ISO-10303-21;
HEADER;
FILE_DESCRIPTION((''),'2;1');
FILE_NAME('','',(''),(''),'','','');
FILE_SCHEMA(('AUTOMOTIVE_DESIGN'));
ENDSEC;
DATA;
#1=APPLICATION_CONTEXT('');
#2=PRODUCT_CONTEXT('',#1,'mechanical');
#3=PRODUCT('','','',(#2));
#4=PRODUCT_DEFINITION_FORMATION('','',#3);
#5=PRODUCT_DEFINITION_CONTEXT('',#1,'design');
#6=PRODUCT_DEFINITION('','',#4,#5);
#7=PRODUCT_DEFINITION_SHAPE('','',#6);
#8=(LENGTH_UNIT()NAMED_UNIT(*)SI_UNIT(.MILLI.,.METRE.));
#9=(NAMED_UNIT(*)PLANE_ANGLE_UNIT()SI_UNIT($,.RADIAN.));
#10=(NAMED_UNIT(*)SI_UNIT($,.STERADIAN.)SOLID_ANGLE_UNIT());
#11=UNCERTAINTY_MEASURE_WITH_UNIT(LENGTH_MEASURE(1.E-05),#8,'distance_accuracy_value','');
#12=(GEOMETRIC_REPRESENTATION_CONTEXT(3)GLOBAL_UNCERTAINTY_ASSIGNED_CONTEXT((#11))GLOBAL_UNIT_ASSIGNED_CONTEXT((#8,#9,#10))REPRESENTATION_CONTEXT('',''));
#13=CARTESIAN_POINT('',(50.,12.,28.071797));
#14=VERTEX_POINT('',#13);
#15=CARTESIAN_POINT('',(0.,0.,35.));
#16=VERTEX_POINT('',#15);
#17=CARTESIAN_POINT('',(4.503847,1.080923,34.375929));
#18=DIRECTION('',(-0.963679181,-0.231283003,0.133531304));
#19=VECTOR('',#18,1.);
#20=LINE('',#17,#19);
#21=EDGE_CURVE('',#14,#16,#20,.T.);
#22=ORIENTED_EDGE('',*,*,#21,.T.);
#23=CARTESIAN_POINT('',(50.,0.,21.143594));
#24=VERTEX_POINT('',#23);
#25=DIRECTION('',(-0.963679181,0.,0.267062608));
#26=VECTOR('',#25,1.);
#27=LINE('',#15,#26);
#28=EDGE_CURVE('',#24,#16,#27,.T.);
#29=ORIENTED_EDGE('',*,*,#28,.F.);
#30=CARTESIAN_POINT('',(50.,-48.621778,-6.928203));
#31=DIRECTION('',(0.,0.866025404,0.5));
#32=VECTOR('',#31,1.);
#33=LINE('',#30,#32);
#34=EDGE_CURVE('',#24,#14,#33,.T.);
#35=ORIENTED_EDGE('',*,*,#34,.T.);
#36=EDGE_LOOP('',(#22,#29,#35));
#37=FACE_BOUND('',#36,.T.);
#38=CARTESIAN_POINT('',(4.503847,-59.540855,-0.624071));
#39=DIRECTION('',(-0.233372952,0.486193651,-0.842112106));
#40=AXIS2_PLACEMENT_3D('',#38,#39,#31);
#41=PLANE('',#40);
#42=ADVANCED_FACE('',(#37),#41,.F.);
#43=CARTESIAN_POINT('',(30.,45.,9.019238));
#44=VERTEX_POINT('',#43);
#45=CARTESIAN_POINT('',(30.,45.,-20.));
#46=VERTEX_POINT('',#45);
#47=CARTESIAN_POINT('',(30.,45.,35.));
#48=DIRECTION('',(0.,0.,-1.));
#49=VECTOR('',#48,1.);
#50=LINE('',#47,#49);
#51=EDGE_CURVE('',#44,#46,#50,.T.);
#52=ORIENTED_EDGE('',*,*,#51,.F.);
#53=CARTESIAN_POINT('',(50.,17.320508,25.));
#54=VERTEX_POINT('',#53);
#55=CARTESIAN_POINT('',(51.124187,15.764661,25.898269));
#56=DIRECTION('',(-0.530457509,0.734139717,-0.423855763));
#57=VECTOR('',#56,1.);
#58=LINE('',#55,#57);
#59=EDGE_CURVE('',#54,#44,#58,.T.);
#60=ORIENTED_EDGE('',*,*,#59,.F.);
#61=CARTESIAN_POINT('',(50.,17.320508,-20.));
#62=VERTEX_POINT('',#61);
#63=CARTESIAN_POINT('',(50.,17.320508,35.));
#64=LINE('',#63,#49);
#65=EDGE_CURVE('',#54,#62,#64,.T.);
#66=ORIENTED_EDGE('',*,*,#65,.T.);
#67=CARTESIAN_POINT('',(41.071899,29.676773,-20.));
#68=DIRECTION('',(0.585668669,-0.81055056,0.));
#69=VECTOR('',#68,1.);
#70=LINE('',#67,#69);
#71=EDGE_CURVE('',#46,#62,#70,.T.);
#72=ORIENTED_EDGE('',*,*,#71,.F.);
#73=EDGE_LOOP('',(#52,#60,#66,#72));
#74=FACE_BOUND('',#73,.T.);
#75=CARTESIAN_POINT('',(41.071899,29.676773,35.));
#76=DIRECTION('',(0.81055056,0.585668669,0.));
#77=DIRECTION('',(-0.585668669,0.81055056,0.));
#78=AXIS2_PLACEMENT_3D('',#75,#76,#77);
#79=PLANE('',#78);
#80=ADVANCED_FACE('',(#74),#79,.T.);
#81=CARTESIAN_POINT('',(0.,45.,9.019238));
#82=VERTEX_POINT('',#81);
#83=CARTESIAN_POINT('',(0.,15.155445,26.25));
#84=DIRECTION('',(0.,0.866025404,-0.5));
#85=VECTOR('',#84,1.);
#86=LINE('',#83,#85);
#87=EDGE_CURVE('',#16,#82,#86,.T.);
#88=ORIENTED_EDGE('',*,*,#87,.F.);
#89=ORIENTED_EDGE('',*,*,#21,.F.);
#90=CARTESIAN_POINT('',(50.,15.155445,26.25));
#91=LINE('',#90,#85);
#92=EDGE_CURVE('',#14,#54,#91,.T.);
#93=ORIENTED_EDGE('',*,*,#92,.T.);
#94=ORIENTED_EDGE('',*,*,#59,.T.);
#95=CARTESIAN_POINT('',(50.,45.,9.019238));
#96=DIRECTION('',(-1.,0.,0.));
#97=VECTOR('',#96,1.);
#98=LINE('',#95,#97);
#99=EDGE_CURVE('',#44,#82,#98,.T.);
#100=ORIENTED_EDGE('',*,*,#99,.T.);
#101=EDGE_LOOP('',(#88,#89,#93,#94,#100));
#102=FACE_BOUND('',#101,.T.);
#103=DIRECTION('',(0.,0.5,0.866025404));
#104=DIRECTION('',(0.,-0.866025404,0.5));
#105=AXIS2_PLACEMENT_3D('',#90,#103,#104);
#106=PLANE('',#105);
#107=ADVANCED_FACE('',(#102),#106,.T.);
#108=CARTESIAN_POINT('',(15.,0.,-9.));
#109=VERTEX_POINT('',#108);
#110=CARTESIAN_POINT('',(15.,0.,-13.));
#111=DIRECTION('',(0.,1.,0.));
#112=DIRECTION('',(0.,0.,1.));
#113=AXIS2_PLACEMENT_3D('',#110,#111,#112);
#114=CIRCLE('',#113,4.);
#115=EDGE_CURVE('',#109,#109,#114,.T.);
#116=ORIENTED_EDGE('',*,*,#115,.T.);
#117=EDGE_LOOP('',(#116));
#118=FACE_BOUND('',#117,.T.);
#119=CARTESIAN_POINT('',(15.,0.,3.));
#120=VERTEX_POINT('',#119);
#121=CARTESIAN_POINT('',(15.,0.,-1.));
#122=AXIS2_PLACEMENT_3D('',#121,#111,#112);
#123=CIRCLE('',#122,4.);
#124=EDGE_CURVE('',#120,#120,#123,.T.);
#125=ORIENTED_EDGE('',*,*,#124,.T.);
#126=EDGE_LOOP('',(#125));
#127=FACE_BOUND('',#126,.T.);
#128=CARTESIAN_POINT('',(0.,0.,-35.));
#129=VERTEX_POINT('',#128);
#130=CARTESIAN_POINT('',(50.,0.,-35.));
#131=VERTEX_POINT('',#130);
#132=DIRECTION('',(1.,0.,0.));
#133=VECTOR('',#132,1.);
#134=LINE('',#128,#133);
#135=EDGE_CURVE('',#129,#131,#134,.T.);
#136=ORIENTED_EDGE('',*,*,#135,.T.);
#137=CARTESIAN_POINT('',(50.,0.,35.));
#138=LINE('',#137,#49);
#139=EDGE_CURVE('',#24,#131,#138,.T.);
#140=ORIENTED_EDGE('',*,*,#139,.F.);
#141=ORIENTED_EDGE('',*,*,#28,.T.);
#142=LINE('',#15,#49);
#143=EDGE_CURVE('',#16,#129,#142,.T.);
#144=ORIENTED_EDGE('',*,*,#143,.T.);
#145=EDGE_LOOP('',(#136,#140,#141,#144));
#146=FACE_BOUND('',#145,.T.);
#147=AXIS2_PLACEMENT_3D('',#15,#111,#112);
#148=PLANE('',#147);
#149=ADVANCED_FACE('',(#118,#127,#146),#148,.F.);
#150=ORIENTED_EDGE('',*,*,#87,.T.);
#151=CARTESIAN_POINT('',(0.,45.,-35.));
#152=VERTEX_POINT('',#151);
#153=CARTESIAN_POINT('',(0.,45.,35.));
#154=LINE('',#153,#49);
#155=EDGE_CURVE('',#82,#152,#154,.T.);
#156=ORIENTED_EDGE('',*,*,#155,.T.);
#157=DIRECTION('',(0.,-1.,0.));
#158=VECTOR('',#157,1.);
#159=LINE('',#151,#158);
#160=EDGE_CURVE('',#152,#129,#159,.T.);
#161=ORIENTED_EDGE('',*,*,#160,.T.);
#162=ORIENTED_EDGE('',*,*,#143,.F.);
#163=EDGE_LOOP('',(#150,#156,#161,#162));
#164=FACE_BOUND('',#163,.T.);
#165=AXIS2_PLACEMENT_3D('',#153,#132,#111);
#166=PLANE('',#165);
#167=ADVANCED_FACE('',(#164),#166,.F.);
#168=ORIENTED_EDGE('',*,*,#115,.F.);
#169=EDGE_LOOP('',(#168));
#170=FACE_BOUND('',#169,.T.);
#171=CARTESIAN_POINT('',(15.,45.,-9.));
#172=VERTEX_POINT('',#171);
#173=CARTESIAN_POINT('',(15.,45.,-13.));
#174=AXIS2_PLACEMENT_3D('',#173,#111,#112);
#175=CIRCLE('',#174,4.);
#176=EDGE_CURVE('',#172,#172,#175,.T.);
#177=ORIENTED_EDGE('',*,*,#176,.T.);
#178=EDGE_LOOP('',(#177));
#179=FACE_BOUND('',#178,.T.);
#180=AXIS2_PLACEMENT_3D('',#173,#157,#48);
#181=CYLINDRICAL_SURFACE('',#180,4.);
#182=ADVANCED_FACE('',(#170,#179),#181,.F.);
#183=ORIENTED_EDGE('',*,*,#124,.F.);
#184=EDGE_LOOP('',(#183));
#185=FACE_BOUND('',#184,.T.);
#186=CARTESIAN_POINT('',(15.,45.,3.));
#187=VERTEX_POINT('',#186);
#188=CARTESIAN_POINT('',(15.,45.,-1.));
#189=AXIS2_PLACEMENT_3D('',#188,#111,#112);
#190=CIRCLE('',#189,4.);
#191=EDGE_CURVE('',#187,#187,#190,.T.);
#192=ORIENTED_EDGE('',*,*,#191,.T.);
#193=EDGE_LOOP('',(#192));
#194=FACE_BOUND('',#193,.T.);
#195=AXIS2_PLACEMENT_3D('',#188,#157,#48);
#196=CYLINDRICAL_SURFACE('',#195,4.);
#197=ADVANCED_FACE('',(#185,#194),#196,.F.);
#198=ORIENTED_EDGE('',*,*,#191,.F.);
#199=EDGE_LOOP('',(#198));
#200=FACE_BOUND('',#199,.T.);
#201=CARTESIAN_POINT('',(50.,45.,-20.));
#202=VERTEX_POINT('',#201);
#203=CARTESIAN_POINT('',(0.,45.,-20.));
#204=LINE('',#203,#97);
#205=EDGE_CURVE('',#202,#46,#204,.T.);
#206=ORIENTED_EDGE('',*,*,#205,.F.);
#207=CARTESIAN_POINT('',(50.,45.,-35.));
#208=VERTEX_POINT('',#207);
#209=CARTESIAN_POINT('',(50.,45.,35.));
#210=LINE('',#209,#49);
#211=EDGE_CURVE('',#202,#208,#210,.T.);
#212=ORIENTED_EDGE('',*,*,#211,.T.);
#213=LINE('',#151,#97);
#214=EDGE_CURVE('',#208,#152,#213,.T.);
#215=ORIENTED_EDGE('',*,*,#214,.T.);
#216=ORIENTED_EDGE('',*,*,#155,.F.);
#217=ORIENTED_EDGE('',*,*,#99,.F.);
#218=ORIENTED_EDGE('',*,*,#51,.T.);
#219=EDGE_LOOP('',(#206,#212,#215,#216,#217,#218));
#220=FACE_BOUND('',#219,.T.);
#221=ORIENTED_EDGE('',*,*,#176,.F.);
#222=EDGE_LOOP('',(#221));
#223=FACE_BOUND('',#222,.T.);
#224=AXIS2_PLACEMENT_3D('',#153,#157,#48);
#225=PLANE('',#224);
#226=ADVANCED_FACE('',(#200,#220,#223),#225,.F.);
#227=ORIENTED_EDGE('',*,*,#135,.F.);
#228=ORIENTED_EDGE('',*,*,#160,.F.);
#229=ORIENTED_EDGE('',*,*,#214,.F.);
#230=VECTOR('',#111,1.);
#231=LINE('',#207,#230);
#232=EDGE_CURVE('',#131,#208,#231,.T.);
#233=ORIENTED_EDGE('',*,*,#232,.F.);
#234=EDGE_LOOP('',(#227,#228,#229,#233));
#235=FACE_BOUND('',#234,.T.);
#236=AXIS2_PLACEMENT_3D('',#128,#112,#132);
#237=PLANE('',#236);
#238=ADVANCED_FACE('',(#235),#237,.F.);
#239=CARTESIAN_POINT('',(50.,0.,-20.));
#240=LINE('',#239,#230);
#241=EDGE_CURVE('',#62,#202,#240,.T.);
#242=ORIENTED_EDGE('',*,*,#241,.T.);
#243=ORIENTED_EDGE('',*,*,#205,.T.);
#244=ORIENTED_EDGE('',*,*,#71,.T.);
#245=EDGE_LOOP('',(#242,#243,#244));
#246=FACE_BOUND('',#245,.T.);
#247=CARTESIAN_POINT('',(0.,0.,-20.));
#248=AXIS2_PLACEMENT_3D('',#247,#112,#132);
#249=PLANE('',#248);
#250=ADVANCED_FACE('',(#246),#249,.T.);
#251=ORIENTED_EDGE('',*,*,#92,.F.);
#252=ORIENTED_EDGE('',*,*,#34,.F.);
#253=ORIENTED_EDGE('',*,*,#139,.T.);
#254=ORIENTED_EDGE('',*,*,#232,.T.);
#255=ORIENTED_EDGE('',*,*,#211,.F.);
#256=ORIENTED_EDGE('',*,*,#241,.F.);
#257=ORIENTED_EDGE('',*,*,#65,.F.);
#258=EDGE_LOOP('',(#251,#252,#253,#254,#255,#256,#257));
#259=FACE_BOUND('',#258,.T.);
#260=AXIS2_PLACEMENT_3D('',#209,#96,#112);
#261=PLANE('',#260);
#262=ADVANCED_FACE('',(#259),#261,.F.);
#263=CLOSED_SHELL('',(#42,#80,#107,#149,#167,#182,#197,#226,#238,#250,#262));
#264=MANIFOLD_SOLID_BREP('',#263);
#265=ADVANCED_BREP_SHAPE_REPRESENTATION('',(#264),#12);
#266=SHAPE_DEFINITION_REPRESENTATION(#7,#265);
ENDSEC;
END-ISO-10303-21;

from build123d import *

# Parameters (mm, degrees)
SKETCH1_W           = 50
SKETCH1_H           = 45
BOSS_EXTRUDE1_DEPTH = 35
CUT_EXTRUDE1_DEPTH  = 51
CUT_EXTRUDE2_DEPTH  = 70
SKETCH20_R          = 4
CUT_EXTRUDE5_DEPTH  = 46
CUT_EXTRUDE6_DEPTH  = 56


with BuildPart() as part:
    # Sketch1 → Boss-Extrude1 (new body, symmetric)
    with BuildSketch(Plane.XY):
        with Locations((25, 22.5)):
            Rectangle(SKETCH1_W, SKETCH1_H)
    extrude(amount=BOSS_EXTRUDE1_DEPTH, both=True)

    # Sketch3 → Cut-Extrude1 (cut, through all)
    with BuildSketch(Plane(origin=(0, 0, 0), x_dir=(0, 0, -1), z_dir=(1, 0, 0))):
        Polygon((-35, 45), (-35, 0), (-9.019237886, 45), align=None)
    extrude(amount=CUT_EXTRUDE1_DEPTH, mode=Mode.SUBTRACT)

    # Sketch9 → Cut-Extrude2 (cut, along a direction that is not the sketch's normal)
    with BuildSketch(Plane(origin=(0, 15.155444566, 26.25), x_dir=(1, 0, 0), z_dir=(0, 0.5, 0.866025404))):
        Polygon((50, -17.5), (50, -3.643593539), (0, -17.5), align=None)
    extrude(amount=-CUT_EXTRUDE2_DEPTH, dir=(0, 0.866025404, 0.5), mode=Mode.SUBTRACT)

    # Sketch20 → Cut-Extrude5 (cut, through all)
    with BuildSketch(Plane(origin=(0, 0, 0), x_dir=(1, 0, 0), z_dir=(0, 1, 0))):
        with Locations((15, 13)):
            Circle(SKETCH20_R)
        with Locations((15, 1)):
            Circle(SKETCH20_R)
    extrude(amount=CUT_EXTRUDE5_DEPTH, mode=Mode.SUBTRACT)

    # Sketch23 → Cut-Extrude6 (cut, through all)
    with BuildSketch(Plane.XY.offset(-20)):
        Polygon((50, 45), (30, 45), (50, 17.320508076), align=None)
    extrude(amount=CUT_EXTRUDE6_DEPTH, mode=Mode.SUBTRACT)


solid = part.part
